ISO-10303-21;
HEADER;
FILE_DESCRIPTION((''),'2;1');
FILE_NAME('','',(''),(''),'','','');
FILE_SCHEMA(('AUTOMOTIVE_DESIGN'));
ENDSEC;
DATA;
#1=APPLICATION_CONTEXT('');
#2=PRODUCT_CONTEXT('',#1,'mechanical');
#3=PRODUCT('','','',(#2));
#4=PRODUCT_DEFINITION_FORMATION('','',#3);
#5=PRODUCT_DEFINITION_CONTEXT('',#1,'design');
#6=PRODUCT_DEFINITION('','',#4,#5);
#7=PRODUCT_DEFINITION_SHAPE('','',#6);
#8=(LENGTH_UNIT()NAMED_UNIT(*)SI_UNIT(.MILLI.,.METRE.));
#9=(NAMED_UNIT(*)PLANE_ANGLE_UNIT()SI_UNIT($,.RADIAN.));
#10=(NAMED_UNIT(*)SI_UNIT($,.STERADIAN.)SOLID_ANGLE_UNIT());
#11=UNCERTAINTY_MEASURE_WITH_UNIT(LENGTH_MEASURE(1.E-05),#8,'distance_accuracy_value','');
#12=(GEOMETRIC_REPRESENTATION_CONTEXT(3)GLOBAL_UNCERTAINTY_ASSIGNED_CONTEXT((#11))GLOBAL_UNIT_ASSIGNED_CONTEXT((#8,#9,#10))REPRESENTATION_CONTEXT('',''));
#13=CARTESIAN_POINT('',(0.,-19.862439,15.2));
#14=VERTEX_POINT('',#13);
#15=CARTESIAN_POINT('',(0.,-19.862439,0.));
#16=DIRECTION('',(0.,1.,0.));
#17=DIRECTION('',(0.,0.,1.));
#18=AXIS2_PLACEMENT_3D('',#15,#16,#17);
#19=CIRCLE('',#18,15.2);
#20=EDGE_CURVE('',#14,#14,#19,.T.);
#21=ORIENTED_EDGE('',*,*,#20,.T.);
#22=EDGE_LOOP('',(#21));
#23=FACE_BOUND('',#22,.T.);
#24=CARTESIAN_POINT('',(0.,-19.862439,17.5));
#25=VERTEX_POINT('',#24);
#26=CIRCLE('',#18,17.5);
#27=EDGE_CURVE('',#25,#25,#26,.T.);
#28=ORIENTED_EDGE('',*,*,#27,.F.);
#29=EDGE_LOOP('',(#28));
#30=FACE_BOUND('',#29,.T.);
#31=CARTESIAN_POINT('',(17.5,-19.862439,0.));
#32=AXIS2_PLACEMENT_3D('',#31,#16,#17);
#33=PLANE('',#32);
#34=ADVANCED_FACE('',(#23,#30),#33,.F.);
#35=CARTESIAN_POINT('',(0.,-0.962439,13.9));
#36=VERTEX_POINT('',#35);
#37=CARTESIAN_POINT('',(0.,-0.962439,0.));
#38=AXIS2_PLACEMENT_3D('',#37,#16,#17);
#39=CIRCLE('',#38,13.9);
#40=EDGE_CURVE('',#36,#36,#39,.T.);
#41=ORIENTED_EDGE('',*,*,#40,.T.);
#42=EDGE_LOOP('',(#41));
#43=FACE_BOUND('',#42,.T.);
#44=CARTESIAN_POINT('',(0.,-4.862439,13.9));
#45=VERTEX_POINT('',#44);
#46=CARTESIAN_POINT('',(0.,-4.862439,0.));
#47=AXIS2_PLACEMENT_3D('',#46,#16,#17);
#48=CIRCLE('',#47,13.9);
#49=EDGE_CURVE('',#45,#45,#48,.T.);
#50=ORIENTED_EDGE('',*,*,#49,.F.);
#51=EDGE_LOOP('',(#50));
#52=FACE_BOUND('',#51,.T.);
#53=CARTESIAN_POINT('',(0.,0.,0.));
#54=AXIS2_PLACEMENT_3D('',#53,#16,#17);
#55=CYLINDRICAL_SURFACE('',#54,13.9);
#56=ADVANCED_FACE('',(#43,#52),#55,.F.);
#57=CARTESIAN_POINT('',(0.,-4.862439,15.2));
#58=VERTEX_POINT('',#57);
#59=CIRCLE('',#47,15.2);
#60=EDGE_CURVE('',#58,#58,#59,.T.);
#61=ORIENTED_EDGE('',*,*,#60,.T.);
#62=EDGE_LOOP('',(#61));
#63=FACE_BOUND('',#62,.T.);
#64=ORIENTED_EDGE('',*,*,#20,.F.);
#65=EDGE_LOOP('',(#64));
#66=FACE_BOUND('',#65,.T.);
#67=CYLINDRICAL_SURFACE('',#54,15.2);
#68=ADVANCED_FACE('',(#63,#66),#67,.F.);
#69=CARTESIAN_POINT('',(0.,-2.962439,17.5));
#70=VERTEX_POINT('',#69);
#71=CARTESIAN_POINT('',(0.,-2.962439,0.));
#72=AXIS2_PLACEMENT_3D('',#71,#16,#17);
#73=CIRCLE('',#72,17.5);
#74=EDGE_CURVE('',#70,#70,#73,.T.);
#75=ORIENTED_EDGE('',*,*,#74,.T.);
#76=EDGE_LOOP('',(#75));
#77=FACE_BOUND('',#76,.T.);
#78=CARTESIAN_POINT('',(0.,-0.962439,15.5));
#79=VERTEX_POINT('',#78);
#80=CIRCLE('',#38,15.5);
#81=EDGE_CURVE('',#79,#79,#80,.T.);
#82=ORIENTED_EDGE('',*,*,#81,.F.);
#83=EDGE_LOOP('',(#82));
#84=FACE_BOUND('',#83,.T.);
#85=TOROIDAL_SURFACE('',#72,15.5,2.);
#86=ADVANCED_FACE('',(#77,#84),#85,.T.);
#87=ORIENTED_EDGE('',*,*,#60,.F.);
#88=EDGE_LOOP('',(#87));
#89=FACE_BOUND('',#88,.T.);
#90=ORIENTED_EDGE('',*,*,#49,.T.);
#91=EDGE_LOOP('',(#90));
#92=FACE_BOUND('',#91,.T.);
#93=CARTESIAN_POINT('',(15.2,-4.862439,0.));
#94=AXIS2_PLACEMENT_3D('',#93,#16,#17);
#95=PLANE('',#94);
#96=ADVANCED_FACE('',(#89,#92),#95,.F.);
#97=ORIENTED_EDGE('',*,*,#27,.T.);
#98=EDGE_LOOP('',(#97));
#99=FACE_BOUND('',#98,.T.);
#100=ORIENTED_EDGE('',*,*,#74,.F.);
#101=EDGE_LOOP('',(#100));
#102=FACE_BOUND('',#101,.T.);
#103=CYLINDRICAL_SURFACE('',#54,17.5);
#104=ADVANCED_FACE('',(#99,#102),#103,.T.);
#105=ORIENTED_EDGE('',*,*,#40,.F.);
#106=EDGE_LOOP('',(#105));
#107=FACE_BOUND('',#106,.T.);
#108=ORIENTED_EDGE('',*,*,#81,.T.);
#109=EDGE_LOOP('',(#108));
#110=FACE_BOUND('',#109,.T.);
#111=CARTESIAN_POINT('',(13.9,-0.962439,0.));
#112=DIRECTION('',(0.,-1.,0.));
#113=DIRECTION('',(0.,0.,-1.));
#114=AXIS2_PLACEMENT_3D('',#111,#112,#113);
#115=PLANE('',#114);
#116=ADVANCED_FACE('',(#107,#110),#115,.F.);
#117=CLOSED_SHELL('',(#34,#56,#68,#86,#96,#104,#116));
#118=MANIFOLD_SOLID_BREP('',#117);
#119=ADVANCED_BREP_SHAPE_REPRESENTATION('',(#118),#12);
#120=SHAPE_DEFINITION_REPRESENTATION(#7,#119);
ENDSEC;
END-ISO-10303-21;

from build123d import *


with BuildPart() as part:
    # Sketch1 → Revolve1 (revolve)
    with BuildSketch(Plane.XY, mode=Mode.PRIVATE) as revolve1_sk:
        with BuildLine():
            Line((15.2, -19.862439096), (15.2, -4.862439096))
            Line((15.2, -4.862439096), (13.9, -4.862439096))
            Line((13.9, -4.862439096), (13.9, -0.962439096))
            Line((13.9, -0.962439096), (15.5, -0.962439096))
            ThreePointArc((15.5, -0.962439096), (16.914213562, -1.548225533), (17.5, -2.962439096))
            Line((17.5, -2.962439096), (17.5, -19.862439096))
            Line((17.5, -19.862439096), (15.2, -19.862439096))
        make_face()
    revolve(revolve1_sk.sketch.rotate(Axis((0, 0, 0), (0, -1, 0)), 90), axis=Axis((0, 0, 0), (0, -1, 0)))


solid = part.part
